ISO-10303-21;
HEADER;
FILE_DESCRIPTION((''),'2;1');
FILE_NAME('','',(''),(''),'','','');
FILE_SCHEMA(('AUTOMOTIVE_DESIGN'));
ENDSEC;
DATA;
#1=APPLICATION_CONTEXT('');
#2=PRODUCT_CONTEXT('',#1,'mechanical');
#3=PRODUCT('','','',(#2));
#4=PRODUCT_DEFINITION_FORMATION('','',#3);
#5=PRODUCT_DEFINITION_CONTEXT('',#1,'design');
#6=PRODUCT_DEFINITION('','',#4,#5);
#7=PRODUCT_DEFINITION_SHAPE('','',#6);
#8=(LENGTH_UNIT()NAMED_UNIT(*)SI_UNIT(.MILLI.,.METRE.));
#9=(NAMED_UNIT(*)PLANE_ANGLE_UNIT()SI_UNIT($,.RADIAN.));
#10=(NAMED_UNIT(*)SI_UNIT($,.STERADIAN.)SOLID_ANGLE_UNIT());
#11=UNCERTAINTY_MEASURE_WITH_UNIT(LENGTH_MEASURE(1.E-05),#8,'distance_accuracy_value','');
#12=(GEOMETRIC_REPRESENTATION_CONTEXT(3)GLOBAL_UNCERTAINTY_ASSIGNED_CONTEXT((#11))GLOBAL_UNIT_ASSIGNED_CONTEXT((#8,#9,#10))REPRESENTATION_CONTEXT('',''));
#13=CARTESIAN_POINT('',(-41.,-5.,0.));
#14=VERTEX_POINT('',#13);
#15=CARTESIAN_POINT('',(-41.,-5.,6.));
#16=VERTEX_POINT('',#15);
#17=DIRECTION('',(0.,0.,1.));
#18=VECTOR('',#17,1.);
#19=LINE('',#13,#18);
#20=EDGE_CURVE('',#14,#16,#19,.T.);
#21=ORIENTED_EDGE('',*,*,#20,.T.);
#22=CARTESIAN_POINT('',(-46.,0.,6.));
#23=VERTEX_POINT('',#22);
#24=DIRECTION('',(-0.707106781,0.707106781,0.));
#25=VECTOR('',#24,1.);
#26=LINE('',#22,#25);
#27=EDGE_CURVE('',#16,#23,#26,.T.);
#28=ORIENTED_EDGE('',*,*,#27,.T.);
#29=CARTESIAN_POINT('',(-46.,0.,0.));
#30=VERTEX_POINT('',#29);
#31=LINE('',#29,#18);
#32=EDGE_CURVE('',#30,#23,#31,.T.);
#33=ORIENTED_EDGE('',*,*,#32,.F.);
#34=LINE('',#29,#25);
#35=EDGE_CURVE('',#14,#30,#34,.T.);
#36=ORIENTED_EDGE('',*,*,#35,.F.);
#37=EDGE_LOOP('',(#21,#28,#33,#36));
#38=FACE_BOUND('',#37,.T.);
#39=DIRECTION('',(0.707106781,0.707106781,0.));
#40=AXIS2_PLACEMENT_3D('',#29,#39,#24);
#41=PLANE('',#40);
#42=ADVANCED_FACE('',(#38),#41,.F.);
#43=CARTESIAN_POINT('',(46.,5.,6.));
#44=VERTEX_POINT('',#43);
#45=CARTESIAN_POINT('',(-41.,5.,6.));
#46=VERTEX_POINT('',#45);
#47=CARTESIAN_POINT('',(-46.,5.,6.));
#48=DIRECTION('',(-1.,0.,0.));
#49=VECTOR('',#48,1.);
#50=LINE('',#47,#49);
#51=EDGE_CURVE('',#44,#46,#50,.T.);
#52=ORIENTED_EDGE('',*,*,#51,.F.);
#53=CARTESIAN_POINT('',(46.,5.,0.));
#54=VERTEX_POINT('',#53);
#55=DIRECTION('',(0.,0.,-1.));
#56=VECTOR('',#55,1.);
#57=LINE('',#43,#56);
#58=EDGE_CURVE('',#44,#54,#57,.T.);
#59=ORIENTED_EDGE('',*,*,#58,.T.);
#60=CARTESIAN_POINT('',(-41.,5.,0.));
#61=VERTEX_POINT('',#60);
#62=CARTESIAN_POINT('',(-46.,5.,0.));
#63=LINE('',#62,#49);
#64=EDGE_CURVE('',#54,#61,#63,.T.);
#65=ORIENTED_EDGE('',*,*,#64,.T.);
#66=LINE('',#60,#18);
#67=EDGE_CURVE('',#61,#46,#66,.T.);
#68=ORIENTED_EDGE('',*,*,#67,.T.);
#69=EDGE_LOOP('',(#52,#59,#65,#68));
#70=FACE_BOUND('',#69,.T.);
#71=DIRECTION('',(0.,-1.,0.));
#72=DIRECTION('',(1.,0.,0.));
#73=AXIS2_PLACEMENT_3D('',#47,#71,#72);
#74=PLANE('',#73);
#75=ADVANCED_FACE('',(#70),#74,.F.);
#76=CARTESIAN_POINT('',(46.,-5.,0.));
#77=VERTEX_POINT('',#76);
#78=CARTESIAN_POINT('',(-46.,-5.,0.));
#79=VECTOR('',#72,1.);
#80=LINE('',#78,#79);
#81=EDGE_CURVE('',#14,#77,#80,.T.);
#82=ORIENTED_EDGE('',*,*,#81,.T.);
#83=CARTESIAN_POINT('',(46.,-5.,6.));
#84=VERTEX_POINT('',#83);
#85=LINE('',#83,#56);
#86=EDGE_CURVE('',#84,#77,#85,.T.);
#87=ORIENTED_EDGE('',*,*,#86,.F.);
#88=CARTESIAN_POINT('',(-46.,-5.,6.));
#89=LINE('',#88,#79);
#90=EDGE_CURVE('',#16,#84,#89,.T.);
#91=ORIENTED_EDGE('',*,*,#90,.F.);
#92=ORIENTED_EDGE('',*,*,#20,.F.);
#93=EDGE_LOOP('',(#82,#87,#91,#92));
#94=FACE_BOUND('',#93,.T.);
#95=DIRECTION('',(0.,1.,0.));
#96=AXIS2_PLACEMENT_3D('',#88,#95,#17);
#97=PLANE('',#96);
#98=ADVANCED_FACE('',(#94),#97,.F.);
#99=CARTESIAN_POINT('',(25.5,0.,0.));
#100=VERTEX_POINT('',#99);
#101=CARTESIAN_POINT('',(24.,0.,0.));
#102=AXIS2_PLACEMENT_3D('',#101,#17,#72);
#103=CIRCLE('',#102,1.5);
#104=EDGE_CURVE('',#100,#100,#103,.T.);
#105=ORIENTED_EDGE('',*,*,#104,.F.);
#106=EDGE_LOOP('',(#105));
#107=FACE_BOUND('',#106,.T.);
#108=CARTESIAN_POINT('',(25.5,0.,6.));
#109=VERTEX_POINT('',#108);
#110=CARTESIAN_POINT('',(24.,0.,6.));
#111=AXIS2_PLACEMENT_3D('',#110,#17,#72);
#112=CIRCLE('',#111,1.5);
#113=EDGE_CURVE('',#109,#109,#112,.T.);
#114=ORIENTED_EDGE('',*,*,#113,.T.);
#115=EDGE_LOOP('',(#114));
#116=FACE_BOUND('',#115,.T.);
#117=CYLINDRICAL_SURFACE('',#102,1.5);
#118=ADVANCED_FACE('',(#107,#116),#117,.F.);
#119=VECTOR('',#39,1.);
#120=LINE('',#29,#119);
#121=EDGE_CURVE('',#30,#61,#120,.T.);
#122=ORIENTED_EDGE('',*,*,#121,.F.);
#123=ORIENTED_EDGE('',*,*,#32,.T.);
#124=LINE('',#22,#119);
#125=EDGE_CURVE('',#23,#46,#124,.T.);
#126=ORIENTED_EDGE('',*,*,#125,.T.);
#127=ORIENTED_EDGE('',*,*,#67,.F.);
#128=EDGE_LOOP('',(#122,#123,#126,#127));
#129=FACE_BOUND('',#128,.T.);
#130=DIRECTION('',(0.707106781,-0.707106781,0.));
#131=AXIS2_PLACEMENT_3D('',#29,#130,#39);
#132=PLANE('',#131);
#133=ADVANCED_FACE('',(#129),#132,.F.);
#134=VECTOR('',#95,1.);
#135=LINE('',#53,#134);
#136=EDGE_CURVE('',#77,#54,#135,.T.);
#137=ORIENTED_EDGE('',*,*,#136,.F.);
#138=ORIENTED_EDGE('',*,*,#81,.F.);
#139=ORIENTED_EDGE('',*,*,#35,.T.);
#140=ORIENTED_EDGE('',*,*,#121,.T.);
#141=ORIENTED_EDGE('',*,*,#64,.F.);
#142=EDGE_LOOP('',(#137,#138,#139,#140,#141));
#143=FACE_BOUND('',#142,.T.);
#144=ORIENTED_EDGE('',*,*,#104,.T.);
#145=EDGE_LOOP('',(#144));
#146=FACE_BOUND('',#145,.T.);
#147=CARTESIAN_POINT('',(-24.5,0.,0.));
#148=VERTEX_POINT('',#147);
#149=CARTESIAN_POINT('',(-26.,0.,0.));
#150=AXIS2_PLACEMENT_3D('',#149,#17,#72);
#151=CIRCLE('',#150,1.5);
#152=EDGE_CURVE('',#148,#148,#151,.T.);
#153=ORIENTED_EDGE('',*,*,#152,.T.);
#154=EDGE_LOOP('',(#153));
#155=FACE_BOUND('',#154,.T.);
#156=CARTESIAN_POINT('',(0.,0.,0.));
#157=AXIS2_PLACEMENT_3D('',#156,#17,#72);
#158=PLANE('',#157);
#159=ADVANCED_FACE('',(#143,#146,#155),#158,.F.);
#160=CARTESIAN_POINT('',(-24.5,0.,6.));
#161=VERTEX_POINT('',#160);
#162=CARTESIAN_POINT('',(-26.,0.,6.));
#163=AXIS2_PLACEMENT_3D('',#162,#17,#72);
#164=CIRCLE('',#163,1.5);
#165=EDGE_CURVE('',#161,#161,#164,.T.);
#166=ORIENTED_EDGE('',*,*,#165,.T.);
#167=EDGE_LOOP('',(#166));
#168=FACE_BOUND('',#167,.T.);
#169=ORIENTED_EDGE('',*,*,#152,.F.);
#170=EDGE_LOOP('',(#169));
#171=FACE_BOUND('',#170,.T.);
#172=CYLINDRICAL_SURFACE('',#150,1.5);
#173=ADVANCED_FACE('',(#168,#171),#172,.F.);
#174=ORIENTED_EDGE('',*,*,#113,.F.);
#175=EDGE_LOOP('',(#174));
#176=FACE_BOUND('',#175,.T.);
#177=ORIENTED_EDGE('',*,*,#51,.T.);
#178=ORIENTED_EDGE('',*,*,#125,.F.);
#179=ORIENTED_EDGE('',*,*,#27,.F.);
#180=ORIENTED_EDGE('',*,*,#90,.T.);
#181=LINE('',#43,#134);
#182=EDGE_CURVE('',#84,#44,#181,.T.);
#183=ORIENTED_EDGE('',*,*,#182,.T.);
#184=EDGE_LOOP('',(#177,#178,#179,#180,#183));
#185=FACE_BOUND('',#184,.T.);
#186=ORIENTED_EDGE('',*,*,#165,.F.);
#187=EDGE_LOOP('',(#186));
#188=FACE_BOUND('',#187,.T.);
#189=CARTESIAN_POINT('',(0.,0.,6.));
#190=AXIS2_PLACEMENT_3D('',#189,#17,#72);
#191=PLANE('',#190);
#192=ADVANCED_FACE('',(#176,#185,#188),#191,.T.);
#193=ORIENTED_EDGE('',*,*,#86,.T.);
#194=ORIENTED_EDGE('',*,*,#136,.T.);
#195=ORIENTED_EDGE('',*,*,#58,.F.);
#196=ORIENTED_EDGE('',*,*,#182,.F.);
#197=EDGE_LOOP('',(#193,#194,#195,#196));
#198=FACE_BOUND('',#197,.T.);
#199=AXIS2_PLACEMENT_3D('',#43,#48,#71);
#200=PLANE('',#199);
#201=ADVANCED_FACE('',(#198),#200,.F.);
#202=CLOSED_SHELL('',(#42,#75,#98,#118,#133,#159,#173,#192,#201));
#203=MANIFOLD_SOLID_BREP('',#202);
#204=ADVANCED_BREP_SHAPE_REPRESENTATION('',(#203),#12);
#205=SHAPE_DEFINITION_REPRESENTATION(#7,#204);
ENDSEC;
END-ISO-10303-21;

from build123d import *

# Parameters (mm, degrees)
ESQUISSE1_W             = 92
ESQUISSE1_H             = 10
BOSS_EXTRU_1_DEPTH      = 6
ENL_V_MAT_EXTRU_1_DEPTH = 6
ENL_V_MAT_EXTRU_2_DEPTH = 6
ESQUISSE4_R             = 1.5
ENL_V_MAT_EXTRU_3_DEPTH = 6


with BuildPart() as part:
    # Esquisse1 → Boss.-Extru.1 (new body)
    with BuildSketch(Plane.XY):
        Rectangle(ESQUISSE1_W, ESQUISSE1_H)
    extrude(amount=BOSS_EXTRU_1_DEPTH)

    # Esquisse2 → Enlèv. mat.-Extru.1 (cut)
    with BuildSketch(Plane.XY.offset(6)):
        Polygon((-46, -5), (-46, 0), (-41, -5), align=None)
    extrude(amount=-ENL_V_MAT_EXTRU_1_DEPTH, mode=Mode.SUBTRACT)

    # Esquisse3 → Enlèv. mat.-Extru.2 (cut)
    with BuildSketch(Plane.XY.offset(6)):
        Polygon((-46, 0), (-41, 5), (-46, 5), align=None)
    extrude(amount=-ENL_V_MAT_EXTRU_2_DEPTH, mode=Mode.SUBTRACT)

    # Esquisse4 → Enlèv. mat.-Extru.3 (cut)
    with BuildSketch(Plane.XY.offset(6)):
        with Locations((-26, 0)):
            Circle(ESQUISSE4_R)
        with Locations((24, 0)):
            Circle(ESQUISSE4_R)
    extrude(amount=-ENL_V_MAT_EXTRU_3_DEPTH, mode=Mode.SUBTRACT)


solid = part.part
